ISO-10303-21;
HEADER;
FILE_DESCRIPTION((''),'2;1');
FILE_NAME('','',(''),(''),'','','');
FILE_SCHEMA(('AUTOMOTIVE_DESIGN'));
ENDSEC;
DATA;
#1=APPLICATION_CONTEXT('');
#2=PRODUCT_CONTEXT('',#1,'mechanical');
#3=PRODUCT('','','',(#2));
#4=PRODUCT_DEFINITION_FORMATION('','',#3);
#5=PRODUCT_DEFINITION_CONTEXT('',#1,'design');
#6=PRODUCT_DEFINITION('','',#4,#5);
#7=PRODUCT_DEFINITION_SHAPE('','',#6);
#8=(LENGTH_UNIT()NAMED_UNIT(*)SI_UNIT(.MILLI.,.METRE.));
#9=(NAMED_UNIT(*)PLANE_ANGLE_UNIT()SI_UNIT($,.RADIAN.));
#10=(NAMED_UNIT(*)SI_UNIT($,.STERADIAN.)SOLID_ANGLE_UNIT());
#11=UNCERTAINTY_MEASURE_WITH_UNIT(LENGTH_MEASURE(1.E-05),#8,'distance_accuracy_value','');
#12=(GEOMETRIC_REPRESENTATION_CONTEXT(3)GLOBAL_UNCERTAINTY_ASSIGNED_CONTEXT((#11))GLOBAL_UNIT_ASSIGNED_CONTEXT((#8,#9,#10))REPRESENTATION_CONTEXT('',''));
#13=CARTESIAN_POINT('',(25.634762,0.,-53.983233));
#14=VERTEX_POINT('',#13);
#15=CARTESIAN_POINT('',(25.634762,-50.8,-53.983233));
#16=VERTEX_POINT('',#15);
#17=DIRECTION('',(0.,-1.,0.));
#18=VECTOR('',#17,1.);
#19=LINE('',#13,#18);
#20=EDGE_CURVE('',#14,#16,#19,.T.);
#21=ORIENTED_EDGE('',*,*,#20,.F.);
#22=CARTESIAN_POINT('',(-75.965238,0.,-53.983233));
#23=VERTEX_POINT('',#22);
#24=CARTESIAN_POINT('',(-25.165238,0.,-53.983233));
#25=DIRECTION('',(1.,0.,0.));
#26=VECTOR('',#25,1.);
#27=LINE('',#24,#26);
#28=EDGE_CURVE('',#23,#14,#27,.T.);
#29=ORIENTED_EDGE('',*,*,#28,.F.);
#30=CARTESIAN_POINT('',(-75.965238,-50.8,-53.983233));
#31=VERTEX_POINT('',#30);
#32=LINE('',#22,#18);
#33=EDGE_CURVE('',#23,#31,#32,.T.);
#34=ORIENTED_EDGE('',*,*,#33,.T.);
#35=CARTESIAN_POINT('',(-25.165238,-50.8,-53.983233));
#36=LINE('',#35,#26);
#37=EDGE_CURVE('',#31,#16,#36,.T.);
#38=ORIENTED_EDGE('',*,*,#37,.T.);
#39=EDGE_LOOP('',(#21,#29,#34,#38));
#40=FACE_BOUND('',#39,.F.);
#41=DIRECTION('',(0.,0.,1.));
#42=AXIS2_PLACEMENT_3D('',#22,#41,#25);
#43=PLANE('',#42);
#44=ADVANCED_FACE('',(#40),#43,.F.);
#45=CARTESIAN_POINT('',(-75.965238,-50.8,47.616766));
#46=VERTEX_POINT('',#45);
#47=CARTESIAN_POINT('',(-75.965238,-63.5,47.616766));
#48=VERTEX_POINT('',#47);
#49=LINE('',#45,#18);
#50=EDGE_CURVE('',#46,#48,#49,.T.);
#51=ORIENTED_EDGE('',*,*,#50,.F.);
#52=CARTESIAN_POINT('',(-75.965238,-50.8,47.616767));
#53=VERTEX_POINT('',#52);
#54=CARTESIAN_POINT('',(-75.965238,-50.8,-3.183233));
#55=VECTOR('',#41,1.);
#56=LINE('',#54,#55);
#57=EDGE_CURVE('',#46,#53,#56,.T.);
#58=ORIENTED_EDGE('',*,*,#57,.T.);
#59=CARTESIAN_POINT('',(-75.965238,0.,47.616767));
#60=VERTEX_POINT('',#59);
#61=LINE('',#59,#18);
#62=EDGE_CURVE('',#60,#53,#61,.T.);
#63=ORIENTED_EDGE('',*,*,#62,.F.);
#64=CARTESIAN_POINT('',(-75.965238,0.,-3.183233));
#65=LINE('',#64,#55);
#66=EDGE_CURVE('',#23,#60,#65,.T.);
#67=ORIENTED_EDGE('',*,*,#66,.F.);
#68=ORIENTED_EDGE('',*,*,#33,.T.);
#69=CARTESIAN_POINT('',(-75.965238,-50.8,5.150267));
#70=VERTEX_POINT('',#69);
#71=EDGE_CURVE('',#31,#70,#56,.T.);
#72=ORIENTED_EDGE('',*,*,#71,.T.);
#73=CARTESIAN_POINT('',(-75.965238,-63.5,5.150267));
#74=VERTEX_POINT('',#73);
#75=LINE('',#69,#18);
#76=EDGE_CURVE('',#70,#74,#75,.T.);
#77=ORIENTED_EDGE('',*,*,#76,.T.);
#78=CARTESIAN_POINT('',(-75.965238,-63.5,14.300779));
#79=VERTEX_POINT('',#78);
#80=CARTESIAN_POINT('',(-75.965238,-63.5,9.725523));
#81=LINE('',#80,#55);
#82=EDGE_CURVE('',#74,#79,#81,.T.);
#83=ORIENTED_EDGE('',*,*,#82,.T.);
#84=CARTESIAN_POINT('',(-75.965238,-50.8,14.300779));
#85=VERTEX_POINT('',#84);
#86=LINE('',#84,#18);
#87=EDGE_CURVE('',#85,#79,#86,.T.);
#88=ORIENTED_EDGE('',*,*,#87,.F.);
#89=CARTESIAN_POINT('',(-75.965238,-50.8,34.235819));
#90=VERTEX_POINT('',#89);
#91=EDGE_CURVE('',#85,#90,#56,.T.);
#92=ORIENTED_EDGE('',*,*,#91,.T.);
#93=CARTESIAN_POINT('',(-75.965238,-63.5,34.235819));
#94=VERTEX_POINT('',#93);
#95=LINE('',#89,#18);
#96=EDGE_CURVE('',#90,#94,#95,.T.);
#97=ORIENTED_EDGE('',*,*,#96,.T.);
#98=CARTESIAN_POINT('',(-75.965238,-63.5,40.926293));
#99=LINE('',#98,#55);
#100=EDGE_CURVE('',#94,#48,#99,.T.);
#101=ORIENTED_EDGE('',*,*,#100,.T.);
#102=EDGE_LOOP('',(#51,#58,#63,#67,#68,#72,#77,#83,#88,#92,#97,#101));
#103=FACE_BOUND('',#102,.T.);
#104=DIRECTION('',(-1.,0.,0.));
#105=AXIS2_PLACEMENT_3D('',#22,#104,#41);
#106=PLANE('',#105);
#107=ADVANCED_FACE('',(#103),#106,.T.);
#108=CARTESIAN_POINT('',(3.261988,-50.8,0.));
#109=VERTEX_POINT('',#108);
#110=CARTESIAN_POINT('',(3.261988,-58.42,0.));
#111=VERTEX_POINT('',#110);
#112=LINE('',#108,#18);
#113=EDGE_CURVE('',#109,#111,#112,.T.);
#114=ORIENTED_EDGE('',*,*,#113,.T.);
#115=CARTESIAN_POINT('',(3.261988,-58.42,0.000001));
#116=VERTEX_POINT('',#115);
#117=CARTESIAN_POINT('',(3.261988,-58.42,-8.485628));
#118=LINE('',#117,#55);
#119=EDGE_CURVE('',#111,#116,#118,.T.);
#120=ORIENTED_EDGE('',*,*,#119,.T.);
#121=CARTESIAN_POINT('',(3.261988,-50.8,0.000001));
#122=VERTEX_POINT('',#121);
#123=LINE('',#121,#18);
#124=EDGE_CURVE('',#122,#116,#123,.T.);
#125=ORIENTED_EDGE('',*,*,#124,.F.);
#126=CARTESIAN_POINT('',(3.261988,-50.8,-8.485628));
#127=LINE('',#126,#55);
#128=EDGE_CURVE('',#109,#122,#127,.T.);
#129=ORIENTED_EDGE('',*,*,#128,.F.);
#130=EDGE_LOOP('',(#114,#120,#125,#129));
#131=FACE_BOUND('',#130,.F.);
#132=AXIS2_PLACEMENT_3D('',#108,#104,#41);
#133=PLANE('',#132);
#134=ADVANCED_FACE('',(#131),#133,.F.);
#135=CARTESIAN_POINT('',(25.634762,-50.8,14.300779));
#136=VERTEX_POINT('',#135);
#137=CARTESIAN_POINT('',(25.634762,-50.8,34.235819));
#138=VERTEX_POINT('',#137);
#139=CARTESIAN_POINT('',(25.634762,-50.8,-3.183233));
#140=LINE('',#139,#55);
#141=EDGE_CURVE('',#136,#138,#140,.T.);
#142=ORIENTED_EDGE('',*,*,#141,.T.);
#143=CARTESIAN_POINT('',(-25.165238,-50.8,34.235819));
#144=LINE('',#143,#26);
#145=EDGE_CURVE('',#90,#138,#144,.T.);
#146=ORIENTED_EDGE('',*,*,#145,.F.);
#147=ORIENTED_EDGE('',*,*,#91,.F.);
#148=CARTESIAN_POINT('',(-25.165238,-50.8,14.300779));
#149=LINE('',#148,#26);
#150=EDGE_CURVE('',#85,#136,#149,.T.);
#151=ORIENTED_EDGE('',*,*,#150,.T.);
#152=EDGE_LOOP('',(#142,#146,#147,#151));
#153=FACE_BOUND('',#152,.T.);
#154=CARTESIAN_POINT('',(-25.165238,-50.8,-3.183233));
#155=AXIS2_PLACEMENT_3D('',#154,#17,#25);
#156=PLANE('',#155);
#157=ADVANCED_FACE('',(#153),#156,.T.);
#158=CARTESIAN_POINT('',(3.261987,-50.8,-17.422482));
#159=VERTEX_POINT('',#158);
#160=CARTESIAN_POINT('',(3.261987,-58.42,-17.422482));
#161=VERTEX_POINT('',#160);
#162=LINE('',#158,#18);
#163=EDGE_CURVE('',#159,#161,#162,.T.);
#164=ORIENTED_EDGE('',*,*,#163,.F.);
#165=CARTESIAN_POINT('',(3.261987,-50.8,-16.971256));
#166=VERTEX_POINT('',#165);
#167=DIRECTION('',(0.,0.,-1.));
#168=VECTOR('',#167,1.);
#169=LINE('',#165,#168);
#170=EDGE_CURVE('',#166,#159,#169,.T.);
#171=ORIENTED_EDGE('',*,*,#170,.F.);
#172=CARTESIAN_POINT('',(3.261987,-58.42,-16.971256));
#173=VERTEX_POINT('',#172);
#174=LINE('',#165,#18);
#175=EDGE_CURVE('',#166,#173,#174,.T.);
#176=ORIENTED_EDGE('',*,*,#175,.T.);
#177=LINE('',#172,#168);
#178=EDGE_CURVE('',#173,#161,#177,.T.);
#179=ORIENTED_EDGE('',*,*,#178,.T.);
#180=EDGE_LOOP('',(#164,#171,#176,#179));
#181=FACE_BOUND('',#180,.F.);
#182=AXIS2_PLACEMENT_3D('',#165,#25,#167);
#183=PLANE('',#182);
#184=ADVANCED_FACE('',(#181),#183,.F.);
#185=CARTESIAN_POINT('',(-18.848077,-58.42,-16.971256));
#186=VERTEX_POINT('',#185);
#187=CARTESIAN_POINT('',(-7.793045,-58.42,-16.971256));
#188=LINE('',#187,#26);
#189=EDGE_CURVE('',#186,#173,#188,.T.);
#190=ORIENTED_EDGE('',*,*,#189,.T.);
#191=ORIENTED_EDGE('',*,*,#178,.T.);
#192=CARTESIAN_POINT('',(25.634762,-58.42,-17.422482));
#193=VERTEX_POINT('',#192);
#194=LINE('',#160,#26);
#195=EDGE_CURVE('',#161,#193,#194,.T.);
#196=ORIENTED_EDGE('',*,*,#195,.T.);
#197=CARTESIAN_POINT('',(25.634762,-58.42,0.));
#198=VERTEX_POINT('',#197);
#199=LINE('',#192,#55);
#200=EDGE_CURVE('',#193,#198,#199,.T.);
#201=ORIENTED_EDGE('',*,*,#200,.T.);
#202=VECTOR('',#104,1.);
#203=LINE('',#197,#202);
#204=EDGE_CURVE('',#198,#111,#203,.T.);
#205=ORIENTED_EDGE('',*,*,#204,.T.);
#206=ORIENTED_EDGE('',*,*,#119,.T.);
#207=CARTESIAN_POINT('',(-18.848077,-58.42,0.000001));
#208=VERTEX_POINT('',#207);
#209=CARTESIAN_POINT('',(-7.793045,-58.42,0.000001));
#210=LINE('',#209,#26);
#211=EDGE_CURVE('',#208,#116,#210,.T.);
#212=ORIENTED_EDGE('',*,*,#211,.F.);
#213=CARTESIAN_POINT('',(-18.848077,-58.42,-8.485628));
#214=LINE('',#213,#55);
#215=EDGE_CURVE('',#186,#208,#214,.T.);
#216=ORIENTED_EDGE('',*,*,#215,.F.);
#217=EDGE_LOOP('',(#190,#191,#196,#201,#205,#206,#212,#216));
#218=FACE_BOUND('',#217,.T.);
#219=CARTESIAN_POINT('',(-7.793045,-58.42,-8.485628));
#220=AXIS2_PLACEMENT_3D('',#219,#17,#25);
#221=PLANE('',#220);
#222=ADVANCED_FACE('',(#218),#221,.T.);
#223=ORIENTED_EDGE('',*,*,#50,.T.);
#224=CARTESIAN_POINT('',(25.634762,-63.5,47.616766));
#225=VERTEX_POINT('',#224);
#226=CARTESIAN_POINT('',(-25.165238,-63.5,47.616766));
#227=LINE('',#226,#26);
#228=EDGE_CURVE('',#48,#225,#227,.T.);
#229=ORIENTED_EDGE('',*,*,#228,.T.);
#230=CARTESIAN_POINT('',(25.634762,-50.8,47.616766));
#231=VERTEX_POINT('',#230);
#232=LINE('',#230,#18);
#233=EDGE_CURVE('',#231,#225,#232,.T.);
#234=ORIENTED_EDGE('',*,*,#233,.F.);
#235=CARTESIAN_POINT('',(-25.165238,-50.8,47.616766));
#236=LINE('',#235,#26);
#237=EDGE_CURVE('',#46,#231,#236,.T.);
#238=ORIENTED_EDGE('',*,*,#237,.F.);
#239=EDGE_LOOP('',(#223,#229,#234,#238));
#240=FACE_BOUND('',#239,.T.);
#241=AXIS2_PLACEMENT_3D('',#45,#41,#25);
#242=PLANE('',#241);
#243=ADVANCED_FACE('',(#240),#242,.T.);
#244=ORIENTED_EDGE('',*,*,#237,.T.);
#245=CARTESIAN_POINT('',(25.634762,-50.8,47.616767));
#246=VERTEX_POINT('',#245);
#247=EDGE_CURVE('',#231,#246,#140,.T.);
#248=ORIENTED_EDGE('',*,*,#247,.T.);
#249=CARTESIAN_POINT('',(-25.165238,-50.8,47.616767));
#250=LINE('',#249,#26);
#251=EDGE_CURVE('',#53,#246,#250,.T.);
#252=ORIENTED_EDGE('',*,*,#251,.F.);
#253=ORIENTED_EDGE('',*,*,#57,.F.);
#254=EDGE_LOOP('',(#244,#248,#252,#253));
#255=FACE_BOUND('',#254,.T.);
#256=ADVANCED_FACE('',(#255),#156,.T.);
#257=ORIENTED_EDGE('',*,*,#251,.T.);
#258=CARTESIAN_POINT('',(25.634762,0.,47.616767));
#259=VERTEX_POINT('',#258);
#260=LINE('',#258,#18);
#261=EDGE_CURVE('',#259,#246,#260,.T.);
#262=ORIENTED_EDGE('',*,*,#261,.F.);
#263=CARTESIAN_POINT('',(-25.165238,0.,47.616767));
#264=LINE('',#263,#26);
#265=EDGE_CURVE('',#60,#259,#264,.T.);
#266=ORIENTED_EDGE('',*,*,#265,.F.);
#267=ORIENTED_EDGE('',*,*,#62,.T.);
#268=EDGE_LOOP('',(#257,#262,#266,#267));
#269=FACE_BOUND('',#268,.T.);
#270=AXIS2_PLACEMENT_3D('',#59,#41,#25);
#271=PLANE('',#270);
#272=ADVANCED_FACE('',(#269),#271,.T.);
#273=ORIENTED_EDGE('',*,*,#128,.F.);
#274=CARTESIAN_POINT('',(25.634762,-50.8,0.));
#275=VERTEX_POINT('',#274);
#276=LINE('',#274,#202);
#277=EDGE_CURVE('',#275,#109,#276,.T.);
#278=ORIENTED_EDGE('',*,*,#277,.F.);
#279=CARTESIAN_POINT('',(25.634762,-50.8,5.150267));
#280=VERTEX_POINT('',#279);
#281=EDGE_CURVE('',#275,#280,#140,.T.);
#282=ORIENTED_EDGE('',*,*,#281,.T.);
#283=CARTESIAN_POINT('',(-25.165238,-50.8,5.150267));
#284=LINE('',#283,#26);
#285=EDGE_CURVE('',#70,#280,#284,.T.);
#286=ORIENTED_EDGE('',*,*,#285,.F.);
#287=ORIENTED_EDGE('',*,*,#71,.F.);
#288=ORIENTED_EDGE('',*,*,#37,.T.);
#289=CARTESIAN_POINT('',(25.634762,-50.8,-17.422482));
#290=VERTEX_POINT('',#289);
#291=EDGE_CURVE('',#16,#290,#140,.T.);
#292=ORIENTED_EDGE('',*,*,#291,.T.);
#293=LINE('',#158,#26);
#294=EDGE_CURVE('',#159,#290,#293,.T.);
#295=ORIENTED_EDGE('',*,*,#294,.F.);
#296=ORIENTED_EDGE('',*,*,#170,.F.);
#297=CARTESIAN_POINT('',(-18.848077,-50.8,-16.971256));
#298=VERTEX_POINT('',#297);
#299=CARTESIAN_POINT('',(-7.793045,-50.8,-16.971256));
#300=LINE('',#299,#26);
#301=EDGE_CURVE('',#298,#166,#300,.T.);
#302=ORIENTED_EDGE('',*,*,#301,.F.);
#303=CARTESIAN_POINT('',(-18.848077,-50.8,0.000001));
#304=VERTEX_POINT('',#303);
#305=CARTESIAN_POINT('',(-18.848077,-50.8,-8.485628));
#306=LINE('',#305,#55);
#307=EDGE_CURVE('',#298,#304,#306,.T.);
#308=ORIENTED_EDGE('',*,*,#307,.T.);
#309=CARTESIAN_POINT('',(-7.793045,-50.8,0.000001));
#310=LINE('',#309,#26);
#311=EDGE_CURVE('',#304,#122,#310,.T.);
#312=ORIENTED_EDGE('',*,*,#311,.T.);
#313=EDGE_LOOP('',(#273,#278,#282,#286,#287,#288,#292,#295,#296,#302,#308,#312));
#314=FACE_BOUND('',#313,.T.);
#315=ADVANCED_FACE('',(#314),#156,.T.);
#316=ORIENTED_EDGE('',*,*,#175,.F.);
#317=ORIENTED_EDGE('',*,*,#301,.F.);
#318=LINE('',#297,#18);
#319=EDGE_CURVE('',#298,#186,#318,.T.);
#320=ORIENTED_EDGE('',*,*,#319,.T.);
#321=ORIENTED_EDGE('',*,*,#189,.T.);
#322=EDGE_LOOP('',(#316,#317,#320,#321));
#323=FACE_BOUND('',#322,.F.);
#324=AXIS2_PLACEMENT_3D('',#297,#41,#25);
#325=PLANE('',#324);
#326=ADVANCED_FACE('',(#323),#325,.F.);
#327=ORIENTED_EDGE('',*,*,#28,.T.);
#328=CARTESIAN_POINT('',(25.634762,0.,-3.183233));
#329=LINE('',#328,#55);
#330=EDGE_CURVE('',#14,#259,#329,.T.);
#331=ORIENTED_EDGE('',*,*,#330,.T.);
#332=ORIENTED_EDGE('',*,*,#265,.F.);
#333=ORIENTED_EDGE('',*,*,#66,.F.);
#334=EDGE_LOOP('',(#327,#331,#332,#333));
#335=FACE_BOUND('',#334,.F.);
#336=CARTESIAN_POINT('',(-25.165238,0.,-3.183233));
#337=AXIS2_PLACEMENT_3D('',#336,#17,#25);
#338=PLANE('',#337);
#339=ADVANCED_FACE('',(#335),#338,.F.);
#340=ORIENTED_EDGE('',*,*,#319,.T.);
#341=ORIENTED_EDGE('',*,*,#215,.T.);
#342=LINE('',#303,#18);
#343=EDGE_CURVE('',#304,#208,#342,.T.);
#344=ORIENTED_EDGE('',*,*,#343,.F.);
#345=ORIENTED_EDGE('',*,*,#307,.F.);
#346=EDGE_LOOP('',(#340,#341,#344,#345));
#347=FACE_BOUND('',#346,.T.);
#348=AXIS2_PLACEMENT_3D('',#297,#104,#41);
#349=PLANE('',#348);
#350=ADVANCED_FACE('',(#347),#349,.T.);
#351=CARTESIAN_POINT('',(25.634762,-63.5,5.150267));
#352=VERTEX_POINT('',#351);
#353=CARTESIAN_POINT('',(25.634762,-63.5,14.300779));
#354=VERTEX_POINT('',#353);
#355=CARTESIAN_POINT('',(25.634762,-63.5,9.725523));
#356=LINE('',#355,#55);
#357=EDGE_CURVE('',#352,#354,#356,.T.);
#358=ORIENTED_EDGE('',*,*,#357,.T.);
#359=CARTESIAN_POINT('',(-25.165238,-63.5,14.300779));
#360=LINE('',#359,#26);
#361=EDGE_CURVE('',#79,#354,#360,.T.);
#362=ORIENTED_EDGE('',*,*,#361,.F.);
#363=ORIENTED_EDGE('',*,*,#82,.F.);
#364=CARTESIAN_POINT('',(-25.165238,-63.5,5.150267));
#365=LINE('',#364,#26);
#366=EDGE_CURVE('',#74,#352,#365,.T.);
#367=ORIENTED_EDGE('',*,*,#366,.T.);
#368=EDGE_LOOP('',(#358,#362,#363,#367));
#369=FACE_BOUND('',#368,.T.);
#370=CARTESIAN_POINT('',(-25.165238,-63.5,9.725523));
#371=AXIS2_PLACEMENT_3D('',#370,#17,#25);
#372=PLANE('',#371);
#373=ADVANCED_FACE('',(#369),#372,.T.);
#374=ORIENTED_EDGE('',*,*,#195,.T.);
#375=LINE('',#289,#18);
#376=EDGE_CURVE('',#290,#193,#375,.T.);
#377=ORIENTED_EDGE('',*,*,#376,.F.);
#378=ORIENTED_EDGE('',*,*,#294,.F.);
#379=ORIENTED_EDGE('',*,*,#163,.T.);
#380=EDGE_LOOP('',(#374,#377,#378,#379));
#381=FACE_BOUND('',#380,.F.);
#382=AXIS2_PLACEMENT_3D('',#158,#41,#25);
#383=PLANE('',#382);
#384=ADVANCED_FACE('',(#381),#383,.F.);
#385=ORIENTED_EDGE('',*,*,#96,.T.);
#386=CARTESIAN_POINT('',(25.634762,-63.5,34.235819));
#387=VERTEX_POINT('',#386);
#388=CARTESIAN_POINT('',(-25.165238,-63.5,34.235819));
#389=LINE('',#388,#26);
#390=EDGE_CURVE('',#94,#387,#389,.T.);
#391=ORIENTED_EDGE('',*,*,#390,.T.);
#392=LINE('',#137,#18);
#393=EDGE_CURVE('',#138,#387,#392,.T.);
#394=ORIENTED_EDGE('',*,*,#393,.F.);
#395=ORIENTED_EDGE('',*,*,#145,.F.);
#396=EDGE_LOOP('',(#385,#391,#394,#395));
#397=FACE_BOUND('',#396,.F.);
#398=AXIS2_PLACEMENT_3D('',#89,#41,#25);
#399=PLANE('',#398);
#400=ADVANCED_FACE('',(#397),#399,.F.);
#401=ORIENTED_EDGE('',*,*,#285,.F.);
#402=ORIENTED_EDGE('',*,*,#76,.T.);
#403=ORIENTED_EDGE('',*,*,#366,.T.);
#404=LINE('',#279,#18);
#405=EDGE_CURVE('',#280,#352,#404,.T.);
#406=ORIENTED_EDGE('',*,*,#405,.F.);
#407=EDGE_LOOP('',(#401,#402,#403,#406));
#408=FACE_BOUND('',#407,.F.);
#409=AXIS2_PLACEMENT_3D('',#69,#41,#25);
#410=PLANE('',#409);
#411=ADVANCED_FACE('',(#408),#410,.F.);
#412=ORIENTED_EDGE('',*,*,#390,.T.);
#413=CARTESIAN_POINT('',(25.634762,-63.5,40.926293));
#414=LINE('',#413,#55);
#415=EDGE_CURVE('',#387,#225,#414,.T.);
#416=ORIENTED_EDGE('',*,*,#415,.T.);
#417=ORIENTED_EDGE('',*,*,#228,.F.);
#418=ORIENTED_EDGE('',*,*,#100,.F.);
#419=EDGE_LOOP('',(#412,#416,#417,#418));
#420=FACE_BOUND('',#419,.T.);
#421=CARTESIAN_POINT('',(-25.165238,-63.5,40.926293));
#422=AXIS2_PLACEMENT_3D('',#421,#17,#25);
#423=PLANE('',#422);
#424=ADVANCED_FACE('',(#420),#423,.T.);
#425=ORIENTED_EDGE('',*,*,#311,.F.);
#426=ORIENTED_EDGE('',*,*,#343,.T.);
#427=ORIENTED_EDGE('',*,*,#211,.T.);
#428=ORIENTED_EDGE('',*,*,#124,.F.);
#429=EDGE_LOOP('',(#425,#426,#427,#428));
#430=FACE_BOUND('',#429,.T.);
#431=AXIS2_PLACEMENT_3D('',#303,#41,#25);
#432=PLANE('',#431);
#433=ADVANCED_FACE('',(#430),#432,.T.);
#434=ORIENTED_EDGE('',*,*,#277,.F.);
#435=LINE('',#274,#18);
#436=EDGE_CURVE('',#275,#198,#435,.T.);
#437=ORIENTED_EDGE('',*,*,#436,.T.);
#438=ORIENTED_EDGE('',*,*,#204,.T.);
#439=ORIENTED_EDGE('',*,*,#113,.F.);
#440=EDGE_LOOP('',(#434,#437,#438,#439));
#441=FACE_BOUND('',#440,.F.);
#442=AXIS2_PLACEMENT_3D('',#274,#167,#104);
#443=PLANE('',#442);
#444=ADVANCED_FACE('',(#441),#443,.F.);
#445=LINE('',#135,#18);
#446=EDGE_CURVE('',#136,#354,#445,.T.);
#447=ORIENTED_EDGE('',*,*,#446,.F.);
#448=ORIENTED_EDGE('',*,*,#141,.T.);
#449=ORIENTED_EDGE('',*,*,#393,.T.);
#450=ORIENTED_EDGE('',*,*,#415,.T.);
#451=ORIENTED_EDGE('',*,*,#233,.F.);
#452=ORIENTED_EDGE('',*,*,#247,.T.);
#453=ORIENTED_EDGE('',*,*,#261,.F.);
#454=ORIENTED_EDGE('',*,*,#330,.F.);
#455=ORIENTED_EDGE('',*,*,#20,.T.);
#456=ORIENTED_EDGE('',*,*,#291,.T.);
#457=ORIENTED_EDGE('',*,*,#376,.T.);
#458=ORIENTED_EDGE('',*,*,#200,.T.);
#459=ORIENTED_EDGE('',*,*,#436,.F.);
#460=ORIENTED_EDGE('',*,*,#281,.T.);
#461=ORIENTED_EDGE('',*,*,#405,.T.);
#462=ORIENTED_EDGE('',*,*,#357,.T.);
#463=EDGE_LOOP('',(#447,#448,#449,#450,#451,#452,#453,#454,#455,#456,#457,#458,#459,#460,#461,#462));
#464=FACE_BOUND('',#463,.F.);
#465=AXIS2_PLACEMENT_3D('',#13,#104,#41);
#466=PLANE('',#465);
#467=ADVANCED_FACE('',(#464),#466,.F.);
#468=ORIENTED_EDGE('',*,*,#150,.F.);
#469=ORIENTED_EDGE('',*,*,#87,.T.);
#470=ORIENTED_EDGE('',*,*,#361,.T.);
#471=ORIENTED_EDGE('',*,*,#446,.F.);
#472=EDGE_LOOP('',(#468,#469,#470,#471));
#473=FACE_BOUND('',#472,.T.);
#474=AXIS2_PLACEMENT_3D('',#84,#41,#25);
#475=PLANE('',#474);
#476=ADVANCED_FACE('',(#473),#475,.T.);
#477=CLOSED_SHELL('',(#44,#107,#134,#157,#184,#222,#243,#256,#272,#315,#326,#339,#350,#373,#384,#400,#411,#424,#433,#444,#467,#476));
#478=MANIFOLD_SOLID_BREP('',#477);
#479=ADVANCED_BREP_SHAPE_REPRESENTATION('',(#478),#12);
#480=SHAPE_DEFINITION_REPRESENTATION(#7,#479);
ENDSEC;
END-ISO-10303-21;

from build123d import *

# Parameters (mm, degrees)
F0_W     = 101.6
F0_H     = 101.6
F1_DEPTH = 50.8
F2_W     = 101.6
F2_H     = 9.150512
F2_H_2   = 13.380947
F3_DEPTH = 12.7
F4_W     = 22.110065
F4_H     = 16.971257
F5_DEPTH = 7.62


with BuildPart() as f1:
    # F0 (on Front) → F1 (new body)
    with BuildSketch(Plane.XZ):
        with Locations((-25.165238, -3.183233)):
            Rectangle(F0_W, F0_H)
    extrude(amount=F1_DEPTH)

    # F2 (on face) → F3 (join)
    with BuildSketch(Plane.XZ.offset(50.8)):
        with Locations((-25.165238, 9.725523)):
            Rectangle(F2_W, F2_H)
        with Locations((-25.165238, 40.926293)):
            Rectangle(F2_W, F2_H_2)
    extrude(amount=F3_DEPTH)

    # F4 (on face) → F5 (join)
    with BuildSketch(Plane.XZ.offset(50.8)):
        with Locations((-7.793045, -8.485628)):
            Rectangle(F4_W, F4_H)
        Polygon((25.634762, 0), (3.261987, 0), (3.261987, -16.971257), (3.261987, -17.422482), (25.634762, -17.422482), align=None)
    extrude(amount=F5_DEPTH)


solid = f1.part
